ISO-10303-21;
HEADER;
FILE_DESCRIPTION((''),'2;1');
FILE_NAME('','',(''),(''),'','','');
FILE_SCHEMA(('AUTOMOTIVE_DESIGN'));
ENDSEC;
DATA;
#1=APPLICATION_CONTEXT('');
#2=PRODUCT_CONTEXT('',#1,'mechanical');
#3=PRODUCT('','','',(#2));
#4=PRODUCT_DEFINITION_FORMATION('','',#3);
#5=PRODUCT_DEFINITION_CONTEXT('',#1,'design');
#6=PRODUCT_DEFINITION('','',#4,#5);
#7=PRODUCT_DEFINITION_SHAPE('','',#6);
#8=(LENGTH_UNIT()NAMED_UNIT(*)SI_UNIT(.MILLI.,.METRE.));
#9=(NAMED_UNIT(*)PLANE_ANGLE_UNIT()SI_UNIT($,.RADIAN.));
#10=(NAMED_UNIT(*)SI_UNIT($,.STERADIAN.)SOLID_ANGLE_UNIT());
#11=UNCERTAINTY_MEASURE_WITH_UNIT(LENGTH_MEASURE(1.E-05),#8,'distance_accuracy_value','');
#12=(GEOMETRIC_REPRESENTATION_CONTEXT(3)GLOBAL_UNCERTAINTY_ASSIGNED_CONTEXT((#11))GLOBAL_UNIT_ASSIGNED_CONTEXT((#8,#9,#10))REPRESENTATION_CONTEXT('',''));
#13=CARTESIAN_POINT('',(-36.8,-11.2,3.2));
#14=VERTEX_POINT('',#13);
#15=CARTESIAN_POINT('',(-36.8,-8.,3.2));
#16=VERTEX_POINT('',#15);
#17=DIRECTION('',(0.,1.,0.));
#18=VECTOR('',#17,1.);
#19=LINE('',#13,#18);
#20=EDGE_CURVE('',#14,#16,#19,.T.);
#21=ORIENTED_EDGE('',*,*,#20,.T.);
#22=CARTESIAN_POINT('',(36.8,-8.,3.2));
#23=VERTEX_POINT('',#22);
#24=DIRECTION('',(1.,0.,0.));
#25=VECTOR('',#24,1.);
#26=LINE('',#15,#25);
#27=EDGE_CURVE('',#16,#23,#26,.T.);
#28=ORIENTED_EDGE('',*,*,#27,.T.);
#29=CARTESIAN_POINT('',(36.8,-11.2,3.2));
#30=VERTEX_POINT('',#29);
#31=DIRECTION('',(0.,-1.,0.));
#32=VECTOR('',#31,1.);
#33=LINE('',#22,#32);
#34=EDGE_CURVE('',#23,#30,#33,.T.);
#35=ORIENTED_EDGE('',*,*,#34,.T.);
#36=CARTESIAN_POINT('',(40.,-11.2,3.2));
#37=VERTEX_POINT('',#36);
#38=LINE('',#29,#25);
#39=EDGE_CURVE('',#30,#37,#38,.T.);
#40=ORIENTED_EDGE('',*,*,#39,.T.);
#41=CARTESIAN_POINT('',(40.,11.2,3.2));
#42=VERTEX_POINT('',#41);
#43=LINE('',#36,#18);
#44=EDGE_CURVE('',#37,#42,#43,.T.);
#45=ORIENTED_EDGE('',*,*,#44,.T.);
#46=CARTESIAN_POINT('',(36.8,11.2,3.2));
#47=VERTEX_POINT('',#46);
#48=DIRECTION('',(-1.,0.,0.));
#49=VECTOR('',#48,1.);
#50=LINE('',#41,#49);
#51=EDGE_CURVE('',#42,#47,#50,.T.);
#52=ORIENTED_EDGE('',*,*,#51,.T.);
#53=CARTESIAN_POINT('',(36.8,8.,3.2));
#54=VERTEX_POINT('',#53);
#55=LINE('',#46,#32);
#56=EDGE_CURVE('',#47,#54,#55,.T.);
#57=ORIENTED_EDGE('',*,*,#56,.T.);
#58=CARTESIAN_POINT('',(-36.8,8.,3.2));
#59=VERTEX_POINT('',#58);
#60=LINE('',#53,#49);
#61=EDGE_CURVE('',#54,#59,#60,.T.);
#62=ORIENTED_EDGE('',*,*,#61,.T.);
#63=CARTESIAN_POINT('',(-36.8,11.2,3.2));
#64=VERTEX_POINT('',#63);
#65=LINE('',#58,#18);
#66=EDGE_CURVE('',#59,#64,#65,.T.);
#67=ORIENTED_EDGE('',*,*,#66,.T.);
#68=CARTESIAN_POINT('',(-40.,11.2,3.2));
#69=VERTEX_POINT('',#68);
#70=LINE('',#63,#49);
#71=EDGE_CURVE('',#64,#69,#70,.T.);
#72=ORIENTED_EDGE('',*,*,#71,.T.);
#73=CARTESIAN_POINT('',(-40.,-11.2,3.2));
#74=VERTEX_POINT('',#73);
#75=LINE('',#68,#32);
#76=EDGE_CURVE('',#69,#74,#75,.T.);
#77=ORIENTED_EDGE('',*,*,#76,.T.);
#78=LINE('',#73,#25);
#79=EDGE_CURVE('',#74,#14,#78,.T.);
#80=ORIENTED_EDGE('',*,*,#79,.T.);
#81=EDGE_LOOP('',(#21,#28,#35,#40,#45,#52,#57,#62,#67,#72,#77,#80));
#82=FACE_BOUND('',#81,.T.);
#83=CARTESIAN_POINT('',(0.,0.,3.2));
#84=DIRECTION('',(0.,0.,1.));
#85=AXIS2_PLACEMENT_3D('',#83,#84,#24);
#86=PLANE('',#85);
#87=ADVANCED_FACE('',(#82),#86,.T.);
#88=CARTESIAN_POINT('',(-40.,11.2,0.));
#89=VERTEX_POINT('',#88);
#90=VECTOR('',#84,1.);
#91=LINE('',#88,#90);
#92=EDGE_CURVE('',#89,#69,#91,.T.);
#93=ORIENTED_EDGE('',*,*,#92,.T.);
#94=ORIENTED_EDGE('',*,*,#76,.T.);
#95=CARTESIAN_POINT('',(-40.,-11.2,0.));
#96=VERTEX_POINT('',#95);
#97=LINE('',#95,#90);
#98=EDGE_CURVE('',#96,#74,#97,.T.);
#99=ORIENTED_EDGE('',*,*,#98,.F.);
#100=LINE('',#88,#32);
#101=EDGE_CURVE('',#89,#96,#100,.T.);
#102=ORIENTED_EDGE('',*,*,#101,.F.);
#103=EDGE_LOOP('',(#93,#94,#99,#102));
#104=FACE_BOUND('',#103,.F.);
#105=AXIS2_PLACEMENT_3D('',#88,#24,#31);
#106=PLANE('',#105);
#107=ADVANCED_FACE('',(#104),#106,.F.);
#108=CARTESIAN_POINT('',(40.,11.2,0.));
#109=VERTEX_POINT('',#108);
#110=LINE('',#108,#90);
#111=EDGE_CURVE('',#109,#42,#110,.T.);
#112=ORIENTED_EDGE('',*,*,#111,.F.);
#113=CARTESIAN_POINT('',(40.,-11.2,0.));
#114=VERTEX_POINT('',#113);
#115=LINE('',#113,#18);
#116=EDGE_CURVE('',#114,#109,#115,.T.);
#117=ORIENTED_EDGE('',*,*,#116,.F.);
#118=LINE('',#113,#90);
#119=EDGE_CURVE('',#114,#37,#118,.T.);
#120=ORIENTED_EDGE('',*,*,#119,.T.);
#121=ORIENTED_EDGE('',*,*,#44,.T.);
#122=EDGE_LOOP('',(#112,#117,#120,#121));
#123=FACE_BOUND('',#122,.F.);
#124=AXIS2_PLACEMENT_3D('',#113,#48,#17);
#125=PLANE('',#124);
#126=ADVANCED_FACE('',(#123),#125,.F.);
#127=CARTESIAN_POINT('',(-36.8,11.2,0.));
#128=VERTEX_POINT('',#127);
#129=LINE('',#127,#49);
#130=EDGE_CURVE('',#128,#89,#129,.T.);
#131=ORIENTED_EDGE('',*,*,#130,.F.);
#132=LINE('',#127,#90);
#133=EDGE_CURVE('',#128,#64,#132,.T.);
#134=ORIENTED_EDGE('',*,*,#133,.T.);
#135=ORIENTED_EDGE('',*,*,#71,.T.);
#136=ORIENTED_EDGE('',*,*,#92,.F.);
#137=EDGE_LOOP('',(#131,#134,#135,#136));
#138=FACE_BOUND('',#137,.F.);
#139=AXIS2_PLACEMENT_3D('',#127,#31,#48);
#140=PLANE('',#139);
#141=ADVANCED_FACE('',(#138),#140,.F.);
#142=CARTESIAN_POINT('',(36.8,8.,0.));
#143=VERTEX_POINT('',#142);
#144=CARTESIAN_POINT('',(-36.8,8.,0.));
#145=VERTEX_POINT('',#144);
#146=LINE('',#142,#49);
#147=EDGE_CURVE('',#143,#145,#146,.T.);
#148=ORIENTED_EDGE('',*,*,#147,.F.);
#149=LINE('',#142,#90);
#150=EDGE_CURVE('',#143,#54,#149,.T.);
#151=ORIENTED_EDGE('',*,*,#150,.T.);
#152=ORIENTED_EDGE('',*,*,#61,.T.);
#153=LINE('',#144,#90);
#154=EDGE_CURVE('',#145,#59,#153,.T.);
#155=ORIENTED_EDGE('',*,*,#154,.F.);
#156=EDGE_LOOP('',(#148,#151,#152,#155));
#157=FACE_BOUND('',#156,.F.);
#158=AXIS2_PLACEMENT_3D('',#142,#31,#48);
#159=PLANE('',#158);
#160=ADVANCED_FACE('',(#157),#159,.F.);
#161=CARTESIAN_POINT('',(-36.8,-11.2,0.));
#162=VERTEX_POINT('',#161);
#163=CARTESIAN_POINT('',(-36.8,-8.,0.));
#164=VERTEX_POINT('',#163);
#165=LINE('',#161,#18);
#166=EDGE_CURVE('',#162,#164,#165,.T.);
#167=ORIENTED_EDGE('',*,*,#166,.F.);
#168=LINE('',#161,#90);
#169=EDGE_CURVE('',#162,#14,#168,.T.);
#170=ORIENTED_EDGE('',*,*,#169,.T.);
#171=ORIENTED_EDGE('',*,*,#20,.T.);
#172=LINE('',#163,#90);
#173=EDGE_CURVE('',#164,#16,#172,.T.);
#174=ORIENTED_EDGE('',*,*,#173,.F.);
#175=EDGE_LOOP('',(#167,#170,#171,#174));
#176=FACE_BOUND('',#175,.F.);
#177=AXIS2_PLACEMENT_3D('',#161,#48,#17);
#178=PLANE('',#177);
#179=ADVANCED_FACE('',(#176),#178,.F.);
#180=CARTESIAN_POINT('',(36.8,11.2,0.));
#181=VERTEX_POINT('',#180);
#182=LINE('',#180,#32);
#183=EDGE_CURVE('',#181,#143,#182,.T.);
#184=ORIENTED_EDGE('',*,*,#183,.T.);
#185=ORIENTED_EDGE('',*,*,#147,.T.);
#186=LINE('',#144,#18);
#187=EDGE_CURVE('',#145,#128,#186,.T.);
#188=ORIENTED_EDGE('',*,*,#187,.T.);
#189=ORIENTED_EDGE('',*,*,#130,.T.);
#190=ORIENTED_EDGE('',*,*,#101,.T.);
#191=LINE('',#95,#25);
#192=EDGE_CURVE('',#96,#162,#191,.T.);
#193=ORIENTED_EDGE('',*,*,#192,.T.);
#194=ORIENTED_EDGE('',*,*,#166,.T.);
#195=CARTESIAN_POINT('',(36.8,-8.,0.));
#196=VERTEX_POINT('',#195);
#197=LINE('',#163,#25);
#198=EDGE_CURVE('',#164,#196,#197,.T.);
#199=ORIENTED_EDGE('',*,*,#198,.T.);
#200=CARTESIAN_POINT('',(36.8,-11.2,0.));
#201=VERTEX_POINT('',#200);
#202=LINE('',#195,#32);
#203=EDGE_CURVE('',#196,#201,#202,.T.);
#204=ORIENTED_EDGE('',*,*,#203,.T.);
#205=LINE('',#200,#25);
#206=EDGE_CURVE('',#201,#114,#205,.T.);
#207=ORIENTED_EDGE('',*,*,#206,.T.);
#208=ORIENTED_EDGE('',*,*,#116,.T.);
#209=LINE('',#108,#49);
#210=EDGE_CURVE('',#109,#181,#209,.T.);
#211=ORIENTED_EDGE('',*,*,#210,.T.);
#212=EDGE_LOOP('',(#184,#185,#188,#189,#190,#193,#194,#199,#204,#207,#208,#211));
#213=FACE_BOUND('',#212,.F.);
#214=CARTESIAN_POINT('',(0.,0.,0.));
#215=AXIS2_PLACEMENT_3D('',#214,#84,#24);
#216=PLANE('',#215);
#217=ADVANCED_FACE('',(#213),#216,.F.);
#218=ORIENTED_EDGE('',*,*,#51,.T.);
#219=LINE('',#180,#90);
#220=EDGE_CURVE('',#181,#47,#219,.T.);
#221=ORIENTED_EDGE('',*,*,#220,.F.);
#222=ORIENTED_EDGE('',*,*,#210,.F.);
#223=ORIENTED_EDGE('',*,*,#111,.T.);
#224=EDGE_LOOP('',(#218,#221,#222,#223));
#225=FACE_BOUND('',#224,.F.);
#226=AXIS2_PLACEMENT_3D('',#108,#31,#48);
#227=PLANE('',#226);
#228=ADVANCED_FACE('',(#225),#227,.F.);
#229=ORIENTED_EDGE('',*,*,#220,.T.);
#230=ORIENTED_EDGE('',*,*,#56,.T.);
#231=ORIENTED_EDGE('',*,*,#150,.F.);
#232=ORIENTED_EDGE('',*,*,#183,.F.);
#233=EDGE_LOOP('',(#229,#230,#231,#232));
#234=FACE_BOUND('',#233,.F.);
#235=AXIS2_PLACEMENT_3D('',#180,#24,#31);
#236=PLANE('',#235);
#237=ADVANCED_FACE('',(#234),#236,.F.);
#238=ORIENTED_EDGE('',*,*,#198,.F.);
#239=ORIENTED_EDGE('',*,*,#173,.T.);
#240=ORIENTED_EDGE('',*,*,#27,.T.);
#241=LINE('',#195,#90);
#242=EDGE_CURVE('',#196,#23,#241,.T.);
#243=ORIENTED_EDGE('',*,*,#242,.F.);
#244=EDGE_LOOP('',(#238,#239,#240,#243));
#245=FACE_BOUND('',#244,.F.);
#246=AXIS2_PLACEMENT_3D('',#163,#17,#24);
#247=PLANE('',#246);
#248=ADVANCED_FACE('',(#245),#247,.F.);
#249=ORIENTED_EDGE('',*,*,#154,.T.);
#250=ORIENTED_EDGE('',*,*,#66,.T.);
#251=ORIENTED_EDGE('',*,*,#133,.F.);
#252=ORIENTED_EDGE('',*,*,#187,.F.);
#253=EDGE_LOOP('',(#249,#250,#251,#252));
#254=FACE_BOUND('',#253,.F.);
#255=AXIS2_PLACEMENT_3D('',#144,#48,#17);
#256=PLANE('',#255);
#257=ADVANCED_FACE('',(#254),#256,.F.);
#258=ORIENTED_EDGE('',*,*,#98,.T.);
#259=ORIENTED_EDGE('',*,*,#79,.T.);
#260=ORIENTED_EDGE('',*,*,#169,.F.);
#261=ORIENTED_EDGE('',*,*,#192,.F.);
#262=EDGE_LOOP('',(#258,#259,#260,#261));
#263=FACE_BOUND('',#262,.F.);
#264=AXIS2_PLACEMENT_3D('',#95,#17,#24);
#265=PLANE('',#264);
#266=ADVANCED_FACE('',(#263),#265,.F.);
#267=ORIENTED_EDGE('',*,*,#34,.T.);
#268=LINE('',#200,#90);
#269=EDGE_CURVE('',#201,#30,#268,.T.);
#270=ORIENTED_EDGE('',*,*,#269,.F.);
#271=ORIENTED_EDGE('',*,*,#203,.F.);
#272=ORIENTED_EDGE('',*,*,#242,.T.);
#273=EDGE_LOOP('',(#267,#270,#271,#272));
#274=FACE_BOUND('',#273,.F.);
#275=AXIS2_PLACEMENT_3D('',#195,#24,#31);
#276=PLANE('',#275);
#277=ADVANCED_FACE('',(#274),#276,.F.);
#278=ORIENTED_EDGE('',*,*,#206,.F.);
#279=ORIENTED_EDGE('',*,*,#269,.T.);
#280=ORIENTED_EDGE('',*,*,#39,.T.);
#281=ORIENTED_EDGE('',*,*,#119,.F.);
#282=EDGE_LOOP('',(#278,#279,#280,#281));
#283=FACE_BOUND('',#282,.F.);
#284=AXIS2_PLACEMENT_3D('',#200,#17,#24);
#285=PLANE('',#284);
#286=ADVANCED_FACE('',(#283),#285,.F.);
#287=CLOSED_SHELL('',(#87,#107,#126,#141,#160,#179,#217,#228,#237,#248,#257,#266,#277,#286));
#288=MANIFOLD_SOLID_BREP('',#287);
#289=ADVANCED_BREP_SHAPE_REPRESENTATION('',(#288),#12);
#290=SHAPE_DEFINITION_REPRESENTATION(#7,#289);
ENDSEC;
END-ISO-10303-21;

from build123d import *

# Parameters (mm, degrees)
F1_DEPTH = 3.2


with BuildPart() as f1:
    # F0 (on Top) → F1 (new body)
    with BuildSketch(Plane.XY):
        Polygon((36.8, 11.2), (36.8, 8), (-36.8, 8), (-36.8, 11.2), (-40, 11.2), (-40, 8), (-40, -8), (-40, -11.2), (-36.8, -11.2), (-36.8, -8), (36.8, -8), (36.8, -11.2), (40, -11.2), (40, -8), (40, 8), (40, 11.2), align=None)
    extrude(amount=F1_DEPTH)


solid = f1.part
